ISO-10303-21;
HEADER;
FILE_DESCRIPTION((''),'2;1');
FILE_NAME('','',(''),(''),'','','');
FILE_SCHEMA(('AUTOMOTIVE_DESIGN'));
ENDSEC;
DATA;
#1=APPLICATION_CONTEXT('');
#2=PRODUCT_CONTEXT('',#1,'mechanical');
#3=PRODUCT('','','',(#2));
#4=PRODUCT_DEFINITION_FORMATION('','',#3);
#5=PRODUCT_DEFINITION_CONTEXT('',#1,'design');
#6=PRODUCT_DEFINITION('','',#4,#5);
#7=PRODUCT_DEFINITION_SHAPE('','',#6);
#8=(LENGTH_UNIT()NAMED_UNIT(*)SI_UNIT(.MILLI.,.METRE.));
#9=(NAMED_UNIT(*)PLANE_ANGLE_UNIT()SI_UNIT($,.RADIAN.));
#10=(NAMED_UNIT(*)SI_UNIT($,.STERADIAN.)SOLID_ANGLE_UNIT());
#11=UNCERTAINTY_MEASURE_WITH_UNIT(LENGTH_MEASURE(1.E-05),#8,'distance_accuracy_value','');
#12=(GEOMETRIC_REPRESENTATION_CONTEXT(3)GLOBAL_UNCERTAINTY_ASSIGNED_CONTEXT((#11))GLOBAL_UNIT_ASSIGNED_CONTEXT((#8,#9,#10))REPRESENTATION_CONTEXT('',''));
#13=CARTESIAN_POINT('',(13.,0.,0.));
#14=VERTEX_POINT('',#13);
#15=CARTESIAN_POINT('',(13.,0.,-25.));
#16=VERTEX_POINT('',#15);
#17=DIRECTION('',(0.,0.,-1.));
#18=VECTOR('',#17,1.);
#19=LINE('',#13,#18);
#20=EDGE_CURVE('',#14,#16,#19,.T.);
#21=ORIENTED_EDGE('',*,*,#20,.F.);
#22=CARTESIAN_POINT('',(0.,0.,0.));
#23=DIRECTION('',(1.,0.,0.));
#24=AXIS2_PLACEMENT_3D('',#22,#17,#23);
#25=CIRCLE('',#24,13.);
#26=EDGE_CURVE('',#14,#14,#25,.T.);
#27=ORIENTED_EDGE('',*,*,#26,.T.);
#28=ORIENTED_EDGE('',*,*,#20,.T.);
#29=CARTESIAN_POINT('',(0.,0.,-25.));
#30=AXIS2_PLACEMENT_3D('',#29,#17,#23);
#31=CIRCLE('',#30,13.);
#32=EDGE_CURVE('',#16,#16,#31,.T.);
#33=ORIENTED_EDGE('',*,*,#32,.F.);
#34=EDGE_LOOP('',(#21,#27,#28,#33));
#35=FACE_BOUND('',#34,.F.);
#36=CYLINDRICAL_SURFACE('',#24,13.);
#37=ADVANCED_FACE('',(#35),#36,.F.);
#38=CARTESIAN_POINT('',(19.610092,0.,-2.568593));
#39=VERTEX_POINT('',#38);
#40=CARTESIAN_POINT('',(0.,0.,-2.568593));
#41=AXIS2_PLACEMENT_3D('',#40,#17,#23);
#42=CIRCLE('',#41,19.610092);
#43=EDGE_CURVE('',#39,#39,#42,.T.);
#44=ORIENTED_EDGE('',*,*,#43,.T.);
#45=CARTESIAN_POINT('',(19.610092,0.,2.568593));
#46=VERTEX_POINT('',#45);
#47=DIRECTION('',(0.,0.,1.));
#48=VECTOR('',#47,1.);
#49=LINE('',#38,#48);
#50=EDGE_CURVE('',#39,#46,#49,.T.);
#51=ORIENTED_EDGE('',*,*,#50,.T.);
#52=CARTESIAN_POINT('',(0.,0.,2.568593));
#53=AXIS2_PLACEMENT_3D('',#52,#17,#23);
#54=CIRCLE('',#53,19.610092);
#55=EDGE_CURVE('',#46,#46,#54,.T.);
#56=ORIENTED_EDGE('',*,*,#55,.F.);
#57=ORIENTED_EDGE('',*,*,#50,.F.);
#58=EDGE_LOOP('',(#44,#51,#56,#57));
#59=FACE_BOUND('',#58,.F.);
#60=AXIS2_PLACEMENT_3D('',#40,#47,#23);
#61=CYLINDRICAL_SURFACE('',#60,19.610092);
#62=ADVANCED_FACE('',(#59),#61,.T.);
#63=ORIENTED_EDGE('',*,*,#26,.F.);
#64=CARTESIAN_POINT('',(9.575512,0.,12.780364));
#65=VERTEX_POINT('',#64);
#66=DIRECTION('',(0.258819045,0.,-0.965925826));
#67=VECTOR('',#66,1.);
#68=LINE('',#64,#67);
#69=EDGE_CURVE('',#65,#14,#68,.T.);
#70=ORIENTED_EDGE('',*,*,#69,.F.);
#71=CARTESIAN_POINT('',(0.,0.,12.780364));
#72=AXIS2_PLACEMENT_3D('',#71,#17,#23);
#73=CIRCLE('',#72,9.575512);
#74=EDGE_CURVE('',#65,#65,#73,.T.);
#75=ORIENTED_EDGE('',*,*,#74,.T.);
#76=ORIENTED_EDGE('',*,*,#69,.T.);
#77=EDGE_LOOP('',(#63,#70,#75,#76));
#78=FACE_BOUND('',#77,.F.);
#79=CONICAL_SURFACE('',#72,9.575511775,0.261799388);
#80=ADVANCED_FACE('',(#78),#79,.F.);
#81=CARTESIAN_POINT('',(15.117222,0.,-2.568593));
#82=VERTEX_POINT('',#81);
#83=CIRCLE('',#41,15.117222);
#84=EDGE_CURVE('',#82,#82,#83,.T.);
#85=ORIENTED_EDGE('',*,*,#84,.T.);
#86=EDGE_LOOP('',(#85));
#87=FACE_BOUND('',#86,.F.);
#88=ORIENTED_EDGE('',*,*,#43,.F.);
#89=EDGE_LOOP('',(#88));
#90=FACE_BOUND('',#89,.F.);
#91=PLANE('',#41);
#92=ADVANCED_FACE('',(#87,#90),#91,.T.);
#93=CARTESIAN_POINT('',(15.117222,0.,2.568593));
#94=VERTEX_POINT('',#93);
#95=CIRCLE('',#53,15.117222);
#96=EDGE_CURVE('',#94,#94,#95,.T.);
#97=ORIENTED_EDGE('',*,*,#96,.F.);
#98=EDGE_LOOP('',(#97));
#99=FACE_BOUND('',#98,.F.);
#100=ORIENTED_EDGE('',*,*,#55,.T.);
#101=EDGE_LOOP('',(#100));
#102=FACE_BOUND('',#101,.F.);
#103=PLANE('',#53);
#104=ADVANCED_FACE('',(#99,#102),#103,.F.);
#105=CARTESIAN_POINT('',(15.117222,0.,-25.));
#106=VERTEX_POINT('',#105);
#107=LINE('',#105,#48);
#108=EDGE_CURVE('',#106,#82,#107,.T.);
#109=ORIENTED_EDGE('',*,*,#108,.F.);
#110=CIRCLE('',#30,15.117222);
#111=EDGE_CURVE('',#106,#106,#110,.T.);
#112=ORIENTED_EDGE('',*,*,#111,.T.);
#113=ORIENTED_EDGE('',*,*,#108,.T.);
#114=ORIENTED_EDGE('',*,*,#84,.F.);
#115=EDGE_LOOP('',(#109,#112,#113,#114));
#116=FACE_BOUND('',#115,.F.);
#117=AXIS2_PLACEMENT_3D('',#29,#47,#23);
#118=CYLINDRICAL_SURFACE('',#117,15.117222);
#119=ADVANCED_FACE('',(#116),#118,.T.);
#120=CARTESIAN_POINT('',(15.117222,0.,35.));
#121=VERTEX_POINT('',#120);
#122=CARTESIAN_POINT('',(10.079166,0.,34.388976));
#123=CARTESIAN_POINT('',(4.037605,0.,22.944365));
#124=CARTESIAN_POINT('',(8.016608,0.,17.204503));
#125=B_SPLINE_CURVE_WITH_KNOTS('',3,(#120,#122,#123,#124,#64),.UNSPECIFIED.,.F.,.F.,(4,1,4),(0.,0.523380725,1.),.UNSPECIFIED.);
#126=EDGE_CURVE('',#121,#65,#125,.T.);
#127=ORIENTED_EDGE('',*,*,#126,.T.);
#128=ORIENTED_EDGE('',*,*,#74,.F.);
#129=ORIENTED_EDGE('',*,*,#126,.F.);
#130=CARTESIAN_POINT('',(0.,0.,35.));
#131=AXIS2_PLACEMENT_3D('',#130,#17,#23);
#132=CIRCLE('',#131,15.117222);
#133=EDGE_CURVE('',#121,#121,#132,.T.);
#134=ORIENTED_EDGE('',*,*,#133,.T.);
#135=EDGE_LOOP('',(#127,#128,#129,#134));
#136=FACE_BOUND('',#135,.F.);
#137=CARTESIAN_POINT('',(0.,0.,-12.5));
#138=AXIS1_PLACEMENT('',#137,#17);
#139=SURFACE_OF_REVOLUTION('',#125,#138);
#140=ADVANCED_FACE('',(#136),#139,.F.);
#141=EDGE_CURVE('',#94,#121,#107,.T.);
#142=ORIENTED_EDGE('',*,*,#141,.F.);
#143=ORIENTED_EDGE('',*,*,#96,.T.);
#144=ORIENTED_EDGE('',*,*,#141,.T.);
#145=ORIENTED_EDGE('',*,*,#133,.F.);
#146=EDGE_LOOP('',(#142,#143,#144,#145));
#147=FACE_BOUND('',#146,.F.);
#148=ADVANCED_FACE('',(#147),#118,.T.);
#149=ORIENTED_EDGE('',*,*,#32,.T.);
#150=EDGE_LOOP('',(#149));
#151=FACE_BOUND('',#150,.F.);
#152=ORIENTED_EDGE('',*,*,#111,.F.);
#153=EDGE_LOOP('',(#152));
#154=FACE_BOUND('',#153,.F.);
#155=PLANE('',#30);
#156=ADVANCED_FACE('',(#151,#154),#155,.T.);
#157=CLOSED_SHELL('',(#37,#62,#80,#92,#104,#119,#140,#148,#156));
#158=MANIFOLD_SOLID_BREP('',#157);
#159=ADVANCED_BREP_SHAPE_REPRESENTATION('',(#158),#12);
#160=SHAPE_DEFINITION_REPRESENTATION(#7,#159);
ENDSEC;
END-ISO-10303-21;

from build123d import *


with BuildPart() as f1:
    # F0 (on Front) → F1 (revolve)
    with BuildSketch(Plane.XZ):
        with BuildLine():
            Line((13, -25), (15.1172224432, -25))
            Line((15.1172224432, -25), (15.1172224432, -2.5685927831))
            Line((15.1172224432, -2.5685927831), (15.1172224432, 2.5685927831))
            Line((15.1172224432, 2.5685927831), (15.1172224432, 35))
            add(Edge.make_bspline(
                [(15.1172224432, 35), (10.0791664263, 34.3889759882), (4.0376053781, 22.9443653974), (8.016607968, 17.2045025786), (9.5755117753, 12.7803640445)],
                knots=[0, 0, 0, 0, 0.5233807249, 1, 1, 1, 1], degree=3))
            Line((9.5755117753, 12.7803640445), (13, 0))
            Line((13, 0), (13, -25))
        make_face()
        Polygon((15.1172224432, 2.5685927831), (15.1172224432, -2.5685927831), (19.6100920439, -2.5685927831), (19.6100920439, 0), (19.6100920439, 2.5685927831), align=None)
    revolve(axis=Axis((0, 0, -12.5), (0, 0, -1)))


solid = f1.part
